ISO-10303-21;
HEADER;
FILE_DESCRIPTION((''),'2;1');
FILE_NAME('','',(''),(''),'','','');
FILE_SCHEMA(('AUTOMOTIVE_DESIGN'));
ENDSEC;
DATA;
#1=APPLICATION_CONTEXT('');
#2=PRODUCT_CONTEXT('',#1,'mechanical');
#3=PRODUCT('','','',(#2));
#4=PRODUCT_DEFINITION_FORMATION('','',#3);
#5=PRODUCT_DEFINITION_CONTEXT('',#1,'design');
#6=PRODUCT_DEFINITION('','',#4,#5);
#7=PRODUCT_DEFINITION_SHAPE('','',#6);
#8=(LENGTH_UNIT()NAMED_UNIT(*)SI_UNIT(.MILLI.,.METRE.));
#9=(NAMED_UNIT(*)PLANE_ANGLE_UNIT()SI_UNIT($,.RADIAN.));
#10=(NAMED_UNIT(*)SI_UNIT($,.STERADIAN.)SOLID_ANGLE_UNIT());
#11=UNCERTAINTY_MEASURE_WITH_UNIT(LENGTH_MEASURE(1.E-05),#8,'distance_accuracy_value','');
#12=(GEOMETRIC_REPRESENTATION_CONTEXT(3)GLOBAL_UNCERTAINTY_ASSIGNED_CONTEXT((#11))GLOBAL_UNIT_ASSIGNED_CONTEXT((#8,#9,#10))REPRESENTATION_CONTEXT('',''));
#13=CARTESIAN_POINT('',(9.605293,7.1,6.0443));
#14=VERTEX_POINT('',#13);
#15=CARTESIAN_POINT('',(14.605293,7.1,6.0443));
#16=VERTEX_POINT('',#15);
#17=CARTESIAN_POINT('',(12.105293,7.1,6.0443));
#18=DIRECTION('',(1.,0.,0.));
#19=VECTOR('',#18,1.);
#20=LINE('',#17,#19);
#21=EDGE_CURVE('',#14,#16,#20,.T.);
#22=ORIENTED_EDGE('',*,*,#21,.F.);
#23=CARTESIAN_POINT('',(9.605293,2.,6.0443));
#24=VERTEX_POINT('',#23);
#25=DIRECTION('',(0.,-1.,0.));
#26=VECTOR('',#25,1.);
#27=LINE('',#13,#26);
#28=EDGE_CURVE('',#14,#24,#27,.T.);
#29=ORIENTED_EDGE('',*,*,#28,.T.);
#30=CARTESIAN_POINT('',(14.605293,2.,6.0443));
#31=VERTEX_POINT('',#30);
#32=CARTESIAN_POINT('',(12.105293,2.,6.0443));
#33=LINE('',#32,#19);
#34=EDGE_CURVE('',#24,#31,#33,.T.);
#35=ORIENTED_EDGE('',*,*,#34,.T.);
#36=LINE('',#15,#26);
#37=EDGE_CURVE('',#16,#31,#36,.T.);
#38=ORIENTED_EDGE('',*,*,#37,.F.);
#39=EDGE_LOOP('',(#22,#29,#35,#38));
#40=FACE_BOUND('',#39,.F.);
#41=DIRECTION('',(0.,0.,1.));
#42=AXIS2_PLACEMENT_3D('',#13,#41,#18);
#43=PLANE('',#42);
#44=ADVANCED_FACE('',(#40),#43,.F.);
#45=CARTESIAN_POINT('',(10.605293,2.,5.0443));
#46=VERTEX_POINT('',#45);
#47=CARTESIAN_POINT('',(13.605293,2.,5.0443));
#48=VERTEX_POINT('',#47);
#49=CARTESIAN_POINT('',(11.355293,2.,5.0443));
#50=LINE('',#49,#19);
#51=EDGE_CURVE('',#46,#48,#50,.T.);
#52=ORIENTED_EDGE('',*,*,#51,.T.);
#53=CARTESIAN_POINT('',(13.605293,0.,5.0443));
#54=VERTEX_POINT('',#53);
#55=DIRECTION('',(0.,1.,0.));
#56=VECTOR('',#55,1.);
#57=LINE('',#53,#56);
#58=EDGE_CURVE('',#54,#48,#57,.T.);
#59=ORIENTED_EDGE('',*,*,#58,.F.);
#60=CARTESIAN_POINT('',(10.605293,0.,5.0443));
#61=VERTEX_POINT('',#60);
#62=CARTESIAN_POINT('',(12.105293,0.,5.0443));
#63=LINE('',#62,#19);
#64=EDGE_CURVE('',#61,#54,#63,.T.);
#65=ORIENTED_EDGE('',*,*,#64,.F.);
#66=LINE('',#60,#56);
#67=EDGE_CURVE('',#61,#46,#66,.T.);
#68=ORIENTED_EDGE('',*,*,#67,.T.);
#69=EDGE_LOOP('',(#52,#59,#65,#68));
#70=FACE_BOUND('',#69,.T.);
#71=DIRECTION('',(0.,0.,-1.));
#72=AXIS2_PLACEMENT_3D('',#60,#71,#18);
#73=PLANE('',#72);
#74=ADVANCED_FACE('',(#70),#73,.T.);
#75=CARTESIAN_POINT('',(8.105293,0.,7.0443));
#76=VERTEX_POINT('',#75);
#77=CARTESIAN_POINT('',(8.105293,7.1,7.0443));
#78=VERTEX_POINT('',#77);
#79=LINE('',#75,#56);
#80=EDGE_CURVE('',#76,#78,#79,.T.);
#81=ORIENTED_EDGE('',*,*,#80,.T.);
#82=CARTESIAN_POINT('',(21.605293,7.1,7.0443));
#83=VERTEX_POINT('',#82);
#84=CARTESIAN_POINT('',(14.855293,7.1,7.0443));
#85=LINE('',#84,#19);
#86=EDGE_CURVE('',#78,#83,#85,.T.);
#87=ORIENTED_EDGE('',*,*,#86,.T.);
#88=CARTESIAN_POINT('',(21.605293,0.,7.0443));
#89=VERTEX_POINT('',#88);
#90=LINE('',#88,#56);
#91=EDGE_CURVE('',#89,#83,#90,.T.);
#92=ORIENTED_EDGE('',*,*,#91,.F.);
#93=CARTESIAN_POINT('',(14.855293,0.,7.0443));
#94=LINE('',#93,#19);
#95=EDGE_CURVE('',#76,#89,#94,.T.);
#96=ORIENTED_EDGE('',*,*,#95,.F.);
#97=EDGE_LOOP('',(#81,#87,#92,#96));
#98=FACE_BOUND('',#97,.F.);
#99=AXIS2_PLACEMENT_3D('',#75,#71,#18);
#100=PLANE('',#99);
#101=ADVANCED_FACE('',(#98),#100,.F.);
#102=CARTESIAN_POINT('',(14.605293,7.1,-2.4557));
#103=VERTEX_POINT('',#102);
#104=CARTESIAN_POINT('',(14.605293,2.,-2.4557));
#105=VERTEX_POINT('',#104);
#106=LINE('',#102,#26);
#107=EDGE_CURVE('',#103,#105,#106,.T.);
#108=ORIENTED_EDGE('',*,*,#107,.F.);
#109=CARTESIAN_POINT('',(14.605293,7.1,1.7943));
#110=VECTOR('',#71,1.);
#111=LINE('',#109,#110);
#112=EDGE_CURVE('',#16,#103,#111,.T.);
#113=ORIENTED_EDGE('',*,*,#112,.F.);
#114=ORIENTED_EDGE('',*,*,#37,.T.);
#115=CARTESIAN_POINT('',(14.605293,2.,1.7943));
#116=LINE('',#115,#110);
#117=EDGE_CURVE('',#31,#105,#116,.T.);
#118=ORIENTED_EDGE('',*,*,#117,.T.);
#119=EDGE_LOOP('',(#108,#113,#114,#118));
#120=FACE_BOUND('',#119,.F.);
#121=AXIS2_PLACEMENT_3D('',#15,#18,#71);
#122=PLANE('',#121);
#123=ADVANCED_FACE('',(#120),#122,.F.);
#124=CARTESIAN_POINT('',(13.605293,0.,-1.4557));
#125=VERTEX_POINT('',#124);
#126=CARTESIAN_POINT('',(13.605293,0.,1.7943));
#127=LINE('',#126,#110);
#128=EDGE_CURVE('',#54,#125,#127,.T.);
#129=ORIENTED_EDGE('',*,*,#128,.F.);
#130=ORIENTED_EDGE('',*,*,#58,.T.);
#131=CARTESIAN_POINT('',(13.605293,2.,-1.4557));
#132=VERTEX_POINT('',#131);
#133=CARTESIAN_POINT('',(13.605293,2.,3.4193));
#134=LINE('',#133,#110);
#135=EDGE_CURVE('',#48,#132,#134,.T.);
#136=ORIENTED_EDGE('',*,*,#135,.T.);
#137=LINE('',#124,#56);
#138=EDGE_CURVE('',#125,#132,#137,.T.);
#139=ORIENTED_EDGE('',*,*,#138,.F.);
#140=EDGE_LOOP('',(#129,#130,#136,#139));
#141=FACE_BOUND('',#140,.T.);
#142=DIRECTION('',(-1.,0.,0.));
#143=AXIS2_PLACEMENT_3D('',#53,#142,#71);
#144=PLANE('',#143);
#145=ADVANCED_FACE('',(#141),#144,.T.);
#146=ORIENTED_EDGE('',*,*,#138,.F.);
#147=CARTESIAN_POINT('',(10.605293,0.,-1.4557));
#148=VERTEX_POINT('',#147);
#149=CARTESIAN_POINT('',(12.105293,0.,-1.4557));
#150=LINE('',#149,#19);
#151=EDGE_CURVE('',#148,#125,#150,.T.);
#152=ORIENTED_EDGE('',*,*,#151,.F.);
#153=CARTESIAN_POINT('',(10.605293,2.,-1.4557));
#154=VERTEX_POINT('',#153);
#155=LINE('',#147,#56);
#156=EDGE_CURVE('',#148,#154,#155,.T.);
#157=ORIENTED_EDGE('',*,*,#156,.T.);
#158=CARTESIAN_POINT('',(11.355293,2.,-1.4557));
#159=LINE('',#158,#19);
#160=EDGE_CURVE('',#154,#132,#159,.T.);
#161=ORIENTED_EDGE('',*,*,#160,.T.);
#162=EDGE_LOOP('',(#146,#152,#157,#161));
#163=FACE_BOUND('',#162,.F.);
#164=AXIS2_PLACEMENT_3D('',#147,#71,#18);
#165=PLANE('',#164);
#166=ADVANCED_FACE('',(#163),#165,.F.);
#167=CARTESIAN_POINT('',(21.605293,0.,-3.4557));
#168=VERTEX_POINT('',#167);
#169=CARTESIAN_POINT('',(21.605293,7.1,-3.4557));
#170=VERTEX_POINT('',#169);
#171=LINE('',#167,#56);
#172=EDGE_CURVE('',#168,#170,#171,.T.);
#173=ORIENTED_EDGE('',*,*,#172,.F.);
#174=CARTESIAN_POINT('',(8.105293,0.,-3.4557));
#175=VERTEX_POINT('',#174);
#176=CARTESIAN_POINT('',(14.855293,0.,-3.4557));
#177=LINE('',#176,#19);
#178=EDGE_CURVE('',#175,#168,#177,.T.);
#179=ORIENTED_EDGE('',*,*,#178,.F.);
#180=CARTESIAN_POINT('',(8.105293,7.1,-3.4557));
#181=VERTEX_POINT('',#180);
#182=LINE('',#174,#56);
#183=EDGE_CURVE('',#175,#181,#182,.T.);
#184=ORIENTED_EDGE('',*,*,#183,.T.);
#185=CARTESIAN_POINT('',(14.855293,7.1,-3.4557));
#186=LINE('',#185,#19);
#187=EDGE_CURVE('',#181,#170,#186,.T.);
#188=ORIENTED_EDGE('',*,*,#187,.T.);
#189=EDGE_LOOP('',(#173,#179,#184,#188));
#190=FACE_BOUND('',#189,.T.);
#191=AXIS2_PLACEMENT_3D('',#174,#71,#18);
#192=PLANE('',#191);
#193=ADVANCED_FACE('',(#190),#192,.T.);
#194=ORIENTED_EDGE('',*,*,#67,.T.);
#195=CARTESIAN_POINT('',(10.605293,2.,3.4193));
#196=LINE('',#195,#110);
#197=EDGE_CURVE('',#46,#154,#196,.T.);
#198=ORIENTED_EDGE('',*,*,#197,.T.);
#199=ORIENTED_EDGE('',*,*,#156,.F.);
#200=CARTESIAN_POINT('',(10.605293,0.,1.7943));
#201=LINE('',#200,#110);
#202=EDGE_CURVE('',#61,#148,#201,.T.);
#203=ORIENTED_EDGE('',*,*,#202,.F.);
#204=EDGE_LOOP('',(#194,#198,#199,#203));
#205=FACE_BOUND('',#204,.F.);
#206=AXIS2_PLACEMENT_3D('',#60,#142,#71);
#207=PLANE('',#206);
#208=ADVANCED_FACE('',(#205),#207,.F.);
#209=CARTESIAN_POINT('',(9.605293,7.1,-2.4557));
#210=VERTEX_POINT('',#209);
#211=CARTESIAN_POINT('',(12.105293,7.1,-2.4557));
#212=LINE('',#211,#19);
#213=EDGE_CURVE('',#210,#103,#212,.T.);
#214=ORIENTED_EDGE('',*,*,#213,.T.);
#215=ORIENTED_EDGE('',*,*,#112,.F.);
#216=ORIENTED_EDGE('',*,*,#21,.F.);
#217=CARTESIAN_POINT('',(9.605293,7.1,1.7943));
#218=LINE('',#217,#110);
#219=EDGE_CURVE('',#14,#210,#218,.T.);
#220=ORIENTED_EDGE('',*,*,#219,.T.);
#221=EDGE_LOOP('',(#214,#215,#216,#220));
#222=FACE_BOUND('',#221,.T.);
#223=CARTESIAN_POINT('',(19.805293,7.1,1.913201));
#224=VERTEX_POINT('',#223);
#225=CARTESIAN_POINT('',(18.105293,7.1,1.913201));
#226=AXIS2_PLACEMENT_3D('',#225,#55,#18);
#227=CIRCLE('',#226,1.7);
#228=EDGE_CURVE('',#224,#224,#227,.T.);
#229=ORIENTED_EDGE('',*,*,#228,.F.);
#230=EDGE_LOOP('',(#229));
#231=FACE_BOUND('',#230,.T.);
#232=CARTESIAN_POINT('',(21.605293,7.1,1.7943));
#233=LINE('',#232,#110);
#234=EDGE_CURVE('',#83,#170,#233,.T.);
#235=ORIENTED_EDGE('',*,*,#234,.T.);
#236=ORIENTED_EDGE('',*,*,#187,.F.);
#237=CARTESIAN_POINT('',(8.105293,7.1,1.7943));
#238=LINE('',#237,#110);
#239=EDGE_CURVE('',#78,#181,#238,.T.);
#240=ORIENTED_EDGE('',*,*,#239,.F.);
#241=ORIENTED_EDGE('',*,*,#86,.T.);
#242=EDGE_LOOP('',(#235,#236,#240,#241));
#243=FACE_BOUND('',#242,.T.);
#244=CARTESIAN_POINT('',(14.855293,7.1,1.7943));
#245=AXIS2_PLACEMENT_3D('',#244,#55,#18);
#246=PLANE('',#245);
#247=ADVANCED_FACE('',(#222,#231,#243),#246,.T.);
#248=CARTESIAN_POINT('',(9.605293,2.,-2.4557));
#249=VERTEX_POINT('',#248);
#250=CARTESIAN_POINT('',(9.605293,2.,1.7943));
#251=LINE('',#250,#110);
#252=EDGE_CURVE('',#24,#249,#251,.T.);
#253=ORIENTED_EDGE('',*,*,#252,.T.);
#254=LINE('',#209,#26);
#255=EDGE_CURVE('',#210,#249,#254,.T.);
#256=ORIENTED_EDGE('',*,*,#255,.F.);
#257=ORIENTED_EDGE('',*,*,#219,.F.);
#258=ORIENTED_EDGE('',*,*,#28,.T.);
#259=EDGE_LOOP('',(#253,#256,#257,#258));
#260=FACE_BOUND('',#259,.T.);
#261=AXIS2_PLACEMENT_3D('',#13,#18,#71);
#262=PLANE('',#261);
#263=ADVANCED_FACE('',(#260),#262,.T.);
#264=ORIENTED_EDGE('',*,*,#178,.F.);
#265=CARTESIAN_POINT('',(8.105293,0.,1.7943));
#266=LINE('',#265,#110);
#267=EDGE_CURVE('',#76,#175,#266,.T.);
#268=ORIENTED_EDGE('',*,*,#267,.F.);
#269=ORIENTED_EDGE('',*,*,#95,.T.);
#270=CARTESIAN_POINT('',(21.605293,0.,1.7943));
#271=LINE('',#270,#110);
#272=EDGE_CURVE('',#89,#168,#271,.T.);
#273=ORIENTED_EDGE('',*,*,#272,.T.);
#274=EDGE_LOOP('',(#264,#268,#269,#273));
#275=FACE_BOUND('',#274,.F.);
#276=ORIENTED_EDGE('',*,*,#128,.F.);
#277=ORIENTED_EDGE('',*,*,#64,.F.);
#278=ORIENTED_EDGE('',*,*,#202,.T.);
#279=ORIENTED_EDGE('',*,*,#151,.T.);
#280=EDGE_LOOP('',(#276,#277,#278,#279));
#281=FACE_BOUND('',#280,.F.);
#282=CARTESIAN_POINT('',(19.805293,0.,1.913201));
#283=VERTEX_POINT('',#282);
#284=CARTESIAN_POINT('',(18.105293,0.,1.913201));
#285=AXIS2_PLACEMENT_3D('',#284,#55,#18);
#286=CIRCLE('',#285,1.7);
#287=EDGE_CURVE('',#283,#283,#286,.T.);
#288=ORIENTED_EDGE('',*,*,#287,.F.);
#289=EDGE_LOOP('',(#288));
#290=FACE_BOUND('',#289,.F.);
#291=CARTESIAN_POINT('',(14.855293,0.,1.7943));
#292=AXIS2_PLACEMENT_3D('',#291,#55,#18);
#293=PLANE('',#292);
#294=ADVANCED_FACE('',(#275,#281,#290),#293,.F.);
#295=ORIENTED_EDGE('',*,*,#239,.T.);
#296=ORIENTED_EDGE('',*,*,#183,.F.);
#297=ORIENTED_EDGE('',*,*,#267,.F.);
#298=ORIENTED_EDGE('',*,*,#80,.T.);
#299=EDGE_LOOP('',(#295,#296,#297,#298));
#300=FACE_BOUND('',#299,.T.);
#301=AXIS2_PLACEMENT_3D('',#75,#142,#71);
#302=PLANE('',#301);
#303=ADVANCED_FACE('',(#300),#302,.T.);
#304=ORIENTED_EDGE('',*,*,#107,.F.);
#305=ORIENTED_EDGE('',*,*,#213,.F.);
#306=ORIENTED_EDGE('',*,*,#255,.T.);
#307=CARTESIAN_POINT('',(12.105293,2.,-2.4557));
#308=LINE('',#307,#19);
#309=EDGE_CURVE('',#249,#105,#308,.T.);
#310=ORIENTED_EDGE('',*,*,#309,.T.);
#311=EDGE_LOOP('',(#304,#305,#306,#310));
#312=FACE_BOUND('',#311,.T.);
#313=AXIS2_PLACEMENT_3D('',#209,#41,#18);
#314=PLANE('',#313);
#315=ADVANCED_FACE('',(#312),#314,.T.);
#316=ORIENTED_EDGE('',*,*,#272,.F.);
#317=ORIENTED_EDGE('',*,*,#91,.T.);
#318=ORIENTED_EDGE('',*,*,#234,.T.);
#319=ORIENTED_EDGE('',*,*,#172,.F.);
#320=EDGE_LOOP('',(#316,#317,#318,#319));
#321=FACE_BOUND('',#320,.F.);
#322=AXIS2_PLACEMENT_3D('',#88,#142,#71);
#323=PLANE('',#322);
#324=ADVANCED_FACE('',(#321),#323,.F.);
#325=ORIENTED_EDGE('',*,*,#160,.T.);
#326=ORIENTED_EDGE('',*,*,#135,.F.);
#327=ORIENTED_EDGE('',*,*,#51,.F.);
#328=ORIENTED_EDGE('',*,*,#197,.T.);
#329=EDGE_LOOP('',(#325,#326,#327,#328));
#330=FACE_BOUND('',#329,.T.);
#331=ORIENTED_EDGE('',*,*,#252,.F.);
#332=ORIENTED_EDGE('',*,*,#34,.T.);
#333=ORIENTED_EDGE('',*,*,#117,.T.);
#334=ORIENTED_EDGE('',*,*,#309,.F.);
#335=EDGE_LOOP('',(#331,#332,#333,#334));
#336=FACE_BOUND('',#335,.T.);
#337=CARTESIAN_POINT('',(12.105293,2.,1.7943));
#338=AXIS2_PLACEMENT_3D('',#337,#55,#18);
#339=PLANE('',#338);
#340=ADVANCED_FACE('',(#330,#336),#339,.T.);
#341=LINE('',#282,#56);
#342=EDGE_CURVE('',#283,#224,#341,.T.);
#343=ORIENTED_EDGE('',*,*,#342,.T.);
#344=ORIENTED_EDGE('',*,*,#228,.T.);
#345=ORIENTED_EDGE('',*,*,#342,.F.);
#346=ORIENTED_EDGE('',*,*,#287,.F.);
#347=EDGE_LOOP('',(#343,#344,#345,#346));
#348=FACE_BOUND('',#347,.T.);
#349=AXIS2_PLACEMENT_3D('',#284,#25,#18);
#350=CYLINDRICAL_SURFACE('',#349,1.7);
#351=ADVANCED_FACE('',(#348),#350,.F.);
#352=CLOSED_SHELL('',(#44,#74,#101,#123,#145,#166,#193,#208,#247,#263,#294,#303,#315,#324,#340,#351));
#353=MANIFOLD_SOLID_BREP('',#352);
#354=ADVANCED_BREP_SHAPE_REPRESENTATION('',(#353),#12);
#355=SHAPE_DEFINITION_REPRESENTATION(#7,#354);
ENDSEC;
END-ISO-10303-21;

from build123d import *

# Parameters (mm, degrees)
CROQUIS1_W              = 13.5
CROQUIS1_H              = 10.5
CROQUIS1_R              = 1.7
CROQUIS1_W_2            = 3
CROQUIS1_H_2            = 6.5
SALIENTE_EXTRUIR1_DEPTH = 7.1
CROQUIS2_W              = 5
CROQUIS2_H              = 8.5
CORTAR_EXTRUIR1_DEPTH   = 5.1


with BuildPart() as part:
    # Croquis1 → Saliente-Extruir1 (new body)
    with BuildSketch(Plane(origin=(0, 0, 0), x_dir=(1, 0, 0), z_dir=(0, 1, 0))):
        with Locations((14.85529294, -1.794299578)):
            Rectangle(CROQUIS1_W, CROQUIS1_H)
        with Locations((18.10529294, -1.913201206)):
            Circle(CROQUIS1_R, mode=Mode.SUBTRACT)
        with Locations((12.10529294, -1.794299578)):
            Rectangle(CROQUIS1_W_2, CROQUIS1_H_2, mode=Mode.SUBTRACT)
    extrude(amount=SALIENTE_EXTRUIR1_DEPTH)

    # Croquis2 → Cortar-Extruir1 (cut)
    with BuildSketch(Plane(origin=(0, 7.1, 0), x_dir=(1, 0, 0), z_dir=(0, 1, 0))):
        with Locations((12.10529294, -1.794299578)):
            Rectangle(CROQUIS2_W, CROQUIS2_H)
    extrude(amount=-CORTAR_EXTRUIR1_DEPTH, mode=Mode.SUBTRACT)


solid = part.part
